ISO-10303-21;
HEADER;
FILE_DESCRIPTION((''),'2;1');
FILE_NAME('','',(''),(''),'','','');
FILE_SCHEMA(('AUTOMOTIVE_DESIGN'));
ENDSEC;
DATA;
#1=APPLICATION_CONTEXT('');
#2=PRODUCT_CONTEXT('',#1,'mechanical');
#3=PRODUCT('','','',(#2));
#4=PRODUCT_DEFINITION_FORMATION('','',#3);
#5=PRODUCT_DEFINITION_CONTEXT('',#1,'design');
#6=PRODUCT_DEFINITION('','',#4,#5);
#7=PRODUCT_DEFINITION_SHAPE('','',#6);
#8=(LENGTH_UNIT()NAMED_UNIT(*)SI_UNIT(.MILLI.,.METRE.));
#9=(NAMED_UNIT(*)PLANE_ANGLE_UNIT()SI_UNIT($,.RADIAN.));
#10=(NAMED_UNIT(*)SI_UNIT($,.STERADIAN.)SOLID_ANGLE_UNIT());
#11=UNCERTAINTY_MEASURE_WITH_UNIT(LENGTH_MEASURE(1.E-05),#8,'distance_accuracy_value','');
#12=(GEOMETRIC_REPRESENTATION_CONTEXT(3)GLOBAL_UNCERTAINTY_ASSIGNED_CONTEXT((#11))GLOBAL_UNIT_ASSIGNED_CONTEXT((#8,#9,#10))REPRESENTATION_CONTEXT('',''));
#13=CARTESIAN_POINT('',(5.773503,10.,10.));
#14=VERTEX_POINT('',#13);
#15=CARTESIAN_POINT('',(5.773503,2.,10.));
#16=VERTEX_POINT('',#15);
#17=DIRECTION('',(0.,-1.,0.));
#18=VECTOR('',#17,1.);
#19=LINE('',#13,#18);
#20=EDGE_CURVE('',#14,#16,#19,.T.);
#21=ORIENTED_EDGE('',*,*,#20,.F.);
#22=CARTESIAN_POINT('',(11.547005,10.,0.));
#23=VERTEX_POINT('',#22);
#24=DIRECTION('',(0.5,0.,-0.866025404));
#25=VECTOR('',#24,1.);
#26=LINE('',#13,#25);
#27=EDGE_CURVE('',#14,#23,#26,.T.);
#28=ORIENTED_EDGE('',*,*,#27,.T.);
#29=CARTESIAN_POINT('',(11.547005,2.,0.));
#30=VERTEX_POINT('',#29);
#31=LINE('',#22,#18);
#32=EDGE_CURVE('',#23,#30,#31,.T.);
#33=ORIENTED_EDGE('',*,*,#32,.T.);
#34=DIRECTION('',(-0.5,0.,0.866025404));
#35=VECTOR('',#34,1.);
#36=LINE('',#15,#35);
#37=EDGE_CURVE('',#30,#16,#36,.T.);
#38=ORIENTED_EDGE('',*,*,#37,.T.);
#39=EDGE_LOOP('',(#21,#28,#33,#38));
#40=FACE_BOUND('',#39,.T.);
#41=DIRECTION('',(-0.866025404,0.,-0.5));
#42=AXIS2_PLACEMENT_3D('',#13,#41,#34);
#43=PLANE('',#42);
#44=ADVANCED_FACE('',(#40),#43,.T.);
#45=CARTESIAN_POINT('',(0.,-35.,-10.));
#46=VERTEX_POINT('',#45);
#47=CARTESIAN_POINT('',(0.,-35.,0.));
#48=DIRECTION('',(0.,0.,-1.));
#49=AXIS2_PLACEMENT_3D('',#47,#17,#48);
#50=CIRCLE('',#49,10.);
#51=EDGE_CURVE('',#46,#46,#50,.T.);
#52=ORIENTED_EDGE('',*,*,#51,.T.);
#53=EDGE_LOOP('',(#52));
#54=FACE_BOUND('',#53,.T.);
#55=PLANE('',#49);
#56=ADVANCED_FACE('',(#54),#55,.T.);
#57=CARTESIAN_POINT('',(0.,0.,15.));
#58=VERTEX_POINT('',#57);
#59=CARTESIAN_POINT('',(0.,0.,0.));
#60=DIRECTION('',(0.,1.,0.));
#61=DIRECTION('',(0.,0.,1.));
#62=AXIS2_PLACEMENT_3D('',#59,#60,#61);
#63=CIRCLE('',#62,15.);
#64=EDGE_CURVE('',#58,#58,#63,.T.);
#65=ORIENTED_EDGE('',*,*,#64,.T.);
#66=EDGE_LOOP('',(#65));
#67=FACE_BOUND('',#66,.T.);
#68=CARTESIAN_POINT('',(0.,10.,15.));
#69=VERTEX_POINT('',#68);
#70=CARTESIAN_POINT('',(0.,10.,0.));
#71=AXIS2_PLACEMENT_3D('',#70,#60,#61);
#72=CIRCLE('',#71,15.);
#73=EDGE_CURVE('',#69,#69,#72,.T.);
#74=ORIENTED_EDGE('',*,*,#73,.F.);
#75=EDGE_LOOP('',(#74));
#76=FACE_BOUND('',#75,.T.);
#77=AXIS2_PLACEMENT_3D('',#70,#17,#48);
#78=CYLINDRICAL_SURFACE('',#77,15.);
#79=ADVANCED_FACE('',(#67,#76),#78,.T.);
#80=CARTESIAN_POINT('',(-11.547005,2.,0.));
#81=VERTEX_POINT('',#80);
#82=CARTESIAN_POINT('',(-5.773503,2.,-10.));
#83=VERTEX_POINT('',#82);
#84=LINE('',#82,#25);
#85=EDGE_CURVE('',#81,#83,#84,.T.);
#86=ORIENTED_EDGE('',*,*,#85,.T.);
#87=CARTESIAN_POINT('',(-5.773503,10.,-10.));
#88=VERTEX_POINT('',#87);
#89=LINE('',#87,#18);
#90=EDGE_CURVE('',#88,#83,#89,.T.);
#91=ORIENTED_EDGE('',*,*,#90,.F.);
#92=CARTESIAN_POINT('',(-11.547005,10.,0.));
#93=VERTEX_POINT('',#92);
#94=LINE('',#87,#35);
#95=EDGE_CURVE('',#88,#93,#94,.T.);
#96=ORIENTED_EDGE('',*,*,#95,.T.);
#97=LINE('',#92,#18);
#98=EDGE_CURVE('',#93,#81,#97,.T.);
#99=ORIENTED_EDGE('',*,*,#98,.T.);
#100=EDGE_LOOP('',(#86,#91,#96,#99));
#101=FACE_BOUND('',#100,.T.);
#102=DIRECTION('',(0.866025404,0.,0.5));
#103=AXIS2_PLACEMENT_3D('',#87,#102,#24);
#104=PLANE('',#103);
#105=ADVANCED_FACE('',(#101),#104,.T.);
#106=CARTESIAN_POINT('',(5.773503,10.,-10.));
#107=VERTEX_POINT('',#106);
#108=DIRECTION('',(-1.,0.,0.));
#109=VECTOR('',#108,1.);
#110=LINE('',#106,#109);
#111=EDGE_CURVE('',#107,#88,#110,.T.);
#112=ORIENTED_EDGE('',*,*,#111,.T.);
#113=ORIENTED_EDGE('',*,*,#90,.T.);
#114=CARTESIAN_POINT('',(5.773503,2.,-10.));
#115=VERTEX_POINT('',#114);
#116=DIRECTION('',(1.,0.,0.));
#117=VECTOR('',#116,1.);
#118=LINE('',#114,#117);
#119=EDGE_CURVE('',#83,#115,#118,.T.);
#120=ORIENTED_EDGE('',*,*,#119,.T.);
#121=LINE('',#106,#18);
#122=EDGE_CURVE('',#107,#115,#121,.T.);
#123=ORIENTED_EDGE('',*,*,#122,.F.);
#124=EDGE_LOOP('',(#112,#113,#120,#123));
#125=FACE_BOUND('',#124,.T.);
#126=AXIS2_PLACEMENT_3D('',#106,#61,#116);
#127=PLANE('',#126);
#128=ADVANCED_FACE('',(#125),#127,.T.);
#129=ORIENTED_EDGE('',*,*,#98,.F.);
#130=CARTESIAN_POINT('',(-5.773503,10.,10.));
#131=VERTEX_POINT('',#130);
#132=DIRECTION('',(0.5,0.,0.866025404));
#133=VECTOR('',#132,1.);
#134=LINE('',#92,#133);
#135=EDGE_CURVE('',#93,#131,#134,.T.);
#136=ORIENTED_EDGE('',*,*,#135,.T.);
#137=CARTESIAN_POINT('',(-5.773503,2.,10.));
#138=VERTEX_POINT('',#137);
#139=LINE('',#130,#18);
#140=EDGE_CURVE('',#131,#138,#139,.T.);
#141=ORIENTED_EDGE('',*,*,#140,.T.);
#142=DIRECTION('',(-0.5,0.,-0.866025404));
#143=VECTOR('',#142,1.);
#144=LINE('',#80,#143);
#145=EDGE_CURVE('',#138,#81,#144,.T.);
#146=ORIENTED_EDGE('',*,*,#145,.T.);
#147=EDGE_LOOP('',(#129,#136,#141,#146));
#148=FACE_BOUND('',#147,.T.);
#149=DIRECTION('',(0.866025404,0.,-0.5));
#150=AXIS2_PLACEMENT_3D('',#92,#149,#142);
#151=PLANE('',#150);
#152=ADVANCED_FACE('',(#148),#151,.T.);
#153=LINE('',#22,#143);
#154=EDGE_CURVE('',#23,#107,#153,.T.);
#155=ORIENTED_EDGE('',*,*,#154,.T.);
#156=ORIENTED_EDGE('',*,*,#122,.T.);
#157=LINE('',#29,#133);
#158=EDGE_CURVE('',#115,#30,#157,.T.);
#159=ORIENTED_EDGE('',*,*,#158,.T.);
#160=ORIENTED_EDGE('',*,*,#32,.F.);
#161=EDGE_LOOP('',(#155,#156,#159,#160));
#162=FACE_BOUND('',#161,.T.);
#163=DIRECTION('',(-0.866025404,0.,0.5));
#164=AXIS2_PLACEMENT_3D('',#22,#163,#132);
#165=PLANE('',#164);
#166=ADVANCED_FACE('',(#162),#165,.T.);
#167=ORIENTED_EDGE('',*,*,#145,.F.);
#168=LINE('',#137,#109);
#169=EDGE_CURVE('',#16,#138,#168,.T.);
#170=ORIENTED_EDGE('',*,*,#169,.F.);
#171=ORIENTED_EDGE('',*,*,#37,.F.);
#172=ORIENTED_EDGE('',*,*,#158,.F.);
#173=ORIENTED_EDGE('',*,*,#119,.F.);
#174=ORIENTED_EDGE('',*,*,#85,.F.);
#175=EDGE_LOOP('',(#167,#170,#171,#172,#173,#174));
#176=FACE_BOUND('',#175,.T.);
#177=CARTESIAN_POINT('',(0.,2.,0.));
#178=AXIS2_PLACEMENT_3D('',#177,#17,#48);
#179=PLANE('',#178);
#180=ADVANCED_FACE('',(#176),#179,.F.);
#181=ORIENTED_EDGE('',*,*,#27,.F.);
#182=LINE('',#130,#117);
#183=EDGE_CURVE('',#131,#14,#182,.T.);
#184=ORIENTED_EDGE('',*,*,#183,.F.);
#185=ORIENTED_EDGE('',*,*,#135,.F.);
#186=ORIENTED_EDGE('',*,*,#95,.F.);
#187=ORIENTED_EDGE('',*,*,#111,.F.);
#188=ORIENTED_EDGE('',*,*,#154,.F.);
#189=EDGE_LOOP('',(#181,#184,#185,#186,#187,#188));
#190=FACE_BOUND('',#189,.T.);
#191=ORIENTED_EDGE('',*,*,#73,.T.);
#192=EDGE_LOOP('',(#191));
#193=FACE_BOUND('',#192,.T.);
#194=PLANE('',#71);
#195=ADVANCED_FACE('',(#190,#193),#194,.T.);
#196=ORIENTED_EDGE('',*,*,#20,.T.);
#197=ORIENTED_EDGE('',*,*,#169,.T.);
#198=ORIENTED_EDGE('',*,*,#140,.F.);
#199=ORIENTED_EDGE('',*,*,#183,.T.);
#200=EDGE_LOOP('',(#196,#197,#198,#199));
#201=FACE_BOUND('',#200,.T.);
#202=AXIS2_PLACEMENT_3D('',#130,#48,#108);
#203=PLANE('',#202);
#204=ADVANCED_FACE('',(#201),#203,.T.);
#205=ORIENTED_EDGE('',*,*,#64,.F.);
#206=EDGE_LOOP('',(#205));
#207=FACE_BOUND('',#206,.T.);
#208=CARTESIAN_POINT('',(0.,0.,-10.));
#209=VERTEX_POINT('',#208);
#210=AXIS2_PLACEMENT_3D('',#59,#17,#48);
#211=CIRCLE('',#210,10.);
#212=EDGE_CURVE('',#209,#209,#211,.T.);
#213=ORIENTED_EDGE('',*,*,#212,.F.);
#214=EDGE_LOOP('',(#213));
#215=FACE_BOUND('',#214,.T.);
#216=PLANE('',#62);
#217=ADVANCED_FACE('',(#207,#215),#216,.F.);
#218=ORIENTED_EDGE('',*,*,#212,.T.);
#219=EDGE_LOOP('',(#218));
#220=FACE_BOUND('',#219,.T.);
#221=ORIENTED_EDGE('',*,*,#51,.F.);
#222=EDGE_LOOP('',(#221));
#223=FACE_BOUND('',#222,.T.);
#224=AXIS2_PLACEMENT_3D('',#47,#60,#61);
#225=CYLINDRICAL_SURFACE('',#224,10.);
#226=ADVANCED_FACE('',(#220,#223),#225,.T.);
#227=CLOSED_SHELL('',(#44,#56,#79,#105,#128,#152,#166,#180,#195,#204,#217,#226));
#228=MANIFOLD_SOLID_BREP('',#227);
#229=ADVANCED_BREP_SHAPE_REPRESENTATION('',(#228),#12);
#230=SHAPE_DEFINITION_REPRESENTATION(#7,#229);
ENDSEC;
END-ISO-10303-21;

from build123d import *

# Parameters (mm, degrees)
SKETCH2_R           = 15
BOSS_EXTRUDE1_DEPTH = 10
SKETCH4_R           = 15
BOSS_EXTRUDE2_DEPTH = 2
SKETCH5_R           = 10
BOSS_EXTRUDE3_DEPTH = 35


with BuildPart() as part:
    # Sketch2 → Boss-Extrude1 (new body)
    with BuildSketch(Plane(origin=(0, 0, 0), x_dir=(1, 0, 0), z_dir=(0, 1, 0))):
        Circle(SKETCH2_R)
        Polygon((5.773502692, 10), (-5.773502692, 10), (-11.547005384, 0), (-5.773502692, -10), (5.773502692, -10), (11.547005384, 0), align=None, mode=Mode.SUBTRACT)
    extrude(amount=BOSS_EXTRUDE1_DEPTH)

    # Sketch4 → Boss-Extrude2 (add)
    with BuildSketch(Plane.XZ):
        Circle(SKETCH4_R)
    extrude(amount=-BOSS_EXTRUDE2_DEPTH)

    # Sketch5 → Boss-Extrude3 (add)
    with BuildSketch(Plane.XZ):
        Circle(SKETCH5_R)
    extrude(amount=BOSS_EXTRUDE3_DEPTH)


solid = part.part
